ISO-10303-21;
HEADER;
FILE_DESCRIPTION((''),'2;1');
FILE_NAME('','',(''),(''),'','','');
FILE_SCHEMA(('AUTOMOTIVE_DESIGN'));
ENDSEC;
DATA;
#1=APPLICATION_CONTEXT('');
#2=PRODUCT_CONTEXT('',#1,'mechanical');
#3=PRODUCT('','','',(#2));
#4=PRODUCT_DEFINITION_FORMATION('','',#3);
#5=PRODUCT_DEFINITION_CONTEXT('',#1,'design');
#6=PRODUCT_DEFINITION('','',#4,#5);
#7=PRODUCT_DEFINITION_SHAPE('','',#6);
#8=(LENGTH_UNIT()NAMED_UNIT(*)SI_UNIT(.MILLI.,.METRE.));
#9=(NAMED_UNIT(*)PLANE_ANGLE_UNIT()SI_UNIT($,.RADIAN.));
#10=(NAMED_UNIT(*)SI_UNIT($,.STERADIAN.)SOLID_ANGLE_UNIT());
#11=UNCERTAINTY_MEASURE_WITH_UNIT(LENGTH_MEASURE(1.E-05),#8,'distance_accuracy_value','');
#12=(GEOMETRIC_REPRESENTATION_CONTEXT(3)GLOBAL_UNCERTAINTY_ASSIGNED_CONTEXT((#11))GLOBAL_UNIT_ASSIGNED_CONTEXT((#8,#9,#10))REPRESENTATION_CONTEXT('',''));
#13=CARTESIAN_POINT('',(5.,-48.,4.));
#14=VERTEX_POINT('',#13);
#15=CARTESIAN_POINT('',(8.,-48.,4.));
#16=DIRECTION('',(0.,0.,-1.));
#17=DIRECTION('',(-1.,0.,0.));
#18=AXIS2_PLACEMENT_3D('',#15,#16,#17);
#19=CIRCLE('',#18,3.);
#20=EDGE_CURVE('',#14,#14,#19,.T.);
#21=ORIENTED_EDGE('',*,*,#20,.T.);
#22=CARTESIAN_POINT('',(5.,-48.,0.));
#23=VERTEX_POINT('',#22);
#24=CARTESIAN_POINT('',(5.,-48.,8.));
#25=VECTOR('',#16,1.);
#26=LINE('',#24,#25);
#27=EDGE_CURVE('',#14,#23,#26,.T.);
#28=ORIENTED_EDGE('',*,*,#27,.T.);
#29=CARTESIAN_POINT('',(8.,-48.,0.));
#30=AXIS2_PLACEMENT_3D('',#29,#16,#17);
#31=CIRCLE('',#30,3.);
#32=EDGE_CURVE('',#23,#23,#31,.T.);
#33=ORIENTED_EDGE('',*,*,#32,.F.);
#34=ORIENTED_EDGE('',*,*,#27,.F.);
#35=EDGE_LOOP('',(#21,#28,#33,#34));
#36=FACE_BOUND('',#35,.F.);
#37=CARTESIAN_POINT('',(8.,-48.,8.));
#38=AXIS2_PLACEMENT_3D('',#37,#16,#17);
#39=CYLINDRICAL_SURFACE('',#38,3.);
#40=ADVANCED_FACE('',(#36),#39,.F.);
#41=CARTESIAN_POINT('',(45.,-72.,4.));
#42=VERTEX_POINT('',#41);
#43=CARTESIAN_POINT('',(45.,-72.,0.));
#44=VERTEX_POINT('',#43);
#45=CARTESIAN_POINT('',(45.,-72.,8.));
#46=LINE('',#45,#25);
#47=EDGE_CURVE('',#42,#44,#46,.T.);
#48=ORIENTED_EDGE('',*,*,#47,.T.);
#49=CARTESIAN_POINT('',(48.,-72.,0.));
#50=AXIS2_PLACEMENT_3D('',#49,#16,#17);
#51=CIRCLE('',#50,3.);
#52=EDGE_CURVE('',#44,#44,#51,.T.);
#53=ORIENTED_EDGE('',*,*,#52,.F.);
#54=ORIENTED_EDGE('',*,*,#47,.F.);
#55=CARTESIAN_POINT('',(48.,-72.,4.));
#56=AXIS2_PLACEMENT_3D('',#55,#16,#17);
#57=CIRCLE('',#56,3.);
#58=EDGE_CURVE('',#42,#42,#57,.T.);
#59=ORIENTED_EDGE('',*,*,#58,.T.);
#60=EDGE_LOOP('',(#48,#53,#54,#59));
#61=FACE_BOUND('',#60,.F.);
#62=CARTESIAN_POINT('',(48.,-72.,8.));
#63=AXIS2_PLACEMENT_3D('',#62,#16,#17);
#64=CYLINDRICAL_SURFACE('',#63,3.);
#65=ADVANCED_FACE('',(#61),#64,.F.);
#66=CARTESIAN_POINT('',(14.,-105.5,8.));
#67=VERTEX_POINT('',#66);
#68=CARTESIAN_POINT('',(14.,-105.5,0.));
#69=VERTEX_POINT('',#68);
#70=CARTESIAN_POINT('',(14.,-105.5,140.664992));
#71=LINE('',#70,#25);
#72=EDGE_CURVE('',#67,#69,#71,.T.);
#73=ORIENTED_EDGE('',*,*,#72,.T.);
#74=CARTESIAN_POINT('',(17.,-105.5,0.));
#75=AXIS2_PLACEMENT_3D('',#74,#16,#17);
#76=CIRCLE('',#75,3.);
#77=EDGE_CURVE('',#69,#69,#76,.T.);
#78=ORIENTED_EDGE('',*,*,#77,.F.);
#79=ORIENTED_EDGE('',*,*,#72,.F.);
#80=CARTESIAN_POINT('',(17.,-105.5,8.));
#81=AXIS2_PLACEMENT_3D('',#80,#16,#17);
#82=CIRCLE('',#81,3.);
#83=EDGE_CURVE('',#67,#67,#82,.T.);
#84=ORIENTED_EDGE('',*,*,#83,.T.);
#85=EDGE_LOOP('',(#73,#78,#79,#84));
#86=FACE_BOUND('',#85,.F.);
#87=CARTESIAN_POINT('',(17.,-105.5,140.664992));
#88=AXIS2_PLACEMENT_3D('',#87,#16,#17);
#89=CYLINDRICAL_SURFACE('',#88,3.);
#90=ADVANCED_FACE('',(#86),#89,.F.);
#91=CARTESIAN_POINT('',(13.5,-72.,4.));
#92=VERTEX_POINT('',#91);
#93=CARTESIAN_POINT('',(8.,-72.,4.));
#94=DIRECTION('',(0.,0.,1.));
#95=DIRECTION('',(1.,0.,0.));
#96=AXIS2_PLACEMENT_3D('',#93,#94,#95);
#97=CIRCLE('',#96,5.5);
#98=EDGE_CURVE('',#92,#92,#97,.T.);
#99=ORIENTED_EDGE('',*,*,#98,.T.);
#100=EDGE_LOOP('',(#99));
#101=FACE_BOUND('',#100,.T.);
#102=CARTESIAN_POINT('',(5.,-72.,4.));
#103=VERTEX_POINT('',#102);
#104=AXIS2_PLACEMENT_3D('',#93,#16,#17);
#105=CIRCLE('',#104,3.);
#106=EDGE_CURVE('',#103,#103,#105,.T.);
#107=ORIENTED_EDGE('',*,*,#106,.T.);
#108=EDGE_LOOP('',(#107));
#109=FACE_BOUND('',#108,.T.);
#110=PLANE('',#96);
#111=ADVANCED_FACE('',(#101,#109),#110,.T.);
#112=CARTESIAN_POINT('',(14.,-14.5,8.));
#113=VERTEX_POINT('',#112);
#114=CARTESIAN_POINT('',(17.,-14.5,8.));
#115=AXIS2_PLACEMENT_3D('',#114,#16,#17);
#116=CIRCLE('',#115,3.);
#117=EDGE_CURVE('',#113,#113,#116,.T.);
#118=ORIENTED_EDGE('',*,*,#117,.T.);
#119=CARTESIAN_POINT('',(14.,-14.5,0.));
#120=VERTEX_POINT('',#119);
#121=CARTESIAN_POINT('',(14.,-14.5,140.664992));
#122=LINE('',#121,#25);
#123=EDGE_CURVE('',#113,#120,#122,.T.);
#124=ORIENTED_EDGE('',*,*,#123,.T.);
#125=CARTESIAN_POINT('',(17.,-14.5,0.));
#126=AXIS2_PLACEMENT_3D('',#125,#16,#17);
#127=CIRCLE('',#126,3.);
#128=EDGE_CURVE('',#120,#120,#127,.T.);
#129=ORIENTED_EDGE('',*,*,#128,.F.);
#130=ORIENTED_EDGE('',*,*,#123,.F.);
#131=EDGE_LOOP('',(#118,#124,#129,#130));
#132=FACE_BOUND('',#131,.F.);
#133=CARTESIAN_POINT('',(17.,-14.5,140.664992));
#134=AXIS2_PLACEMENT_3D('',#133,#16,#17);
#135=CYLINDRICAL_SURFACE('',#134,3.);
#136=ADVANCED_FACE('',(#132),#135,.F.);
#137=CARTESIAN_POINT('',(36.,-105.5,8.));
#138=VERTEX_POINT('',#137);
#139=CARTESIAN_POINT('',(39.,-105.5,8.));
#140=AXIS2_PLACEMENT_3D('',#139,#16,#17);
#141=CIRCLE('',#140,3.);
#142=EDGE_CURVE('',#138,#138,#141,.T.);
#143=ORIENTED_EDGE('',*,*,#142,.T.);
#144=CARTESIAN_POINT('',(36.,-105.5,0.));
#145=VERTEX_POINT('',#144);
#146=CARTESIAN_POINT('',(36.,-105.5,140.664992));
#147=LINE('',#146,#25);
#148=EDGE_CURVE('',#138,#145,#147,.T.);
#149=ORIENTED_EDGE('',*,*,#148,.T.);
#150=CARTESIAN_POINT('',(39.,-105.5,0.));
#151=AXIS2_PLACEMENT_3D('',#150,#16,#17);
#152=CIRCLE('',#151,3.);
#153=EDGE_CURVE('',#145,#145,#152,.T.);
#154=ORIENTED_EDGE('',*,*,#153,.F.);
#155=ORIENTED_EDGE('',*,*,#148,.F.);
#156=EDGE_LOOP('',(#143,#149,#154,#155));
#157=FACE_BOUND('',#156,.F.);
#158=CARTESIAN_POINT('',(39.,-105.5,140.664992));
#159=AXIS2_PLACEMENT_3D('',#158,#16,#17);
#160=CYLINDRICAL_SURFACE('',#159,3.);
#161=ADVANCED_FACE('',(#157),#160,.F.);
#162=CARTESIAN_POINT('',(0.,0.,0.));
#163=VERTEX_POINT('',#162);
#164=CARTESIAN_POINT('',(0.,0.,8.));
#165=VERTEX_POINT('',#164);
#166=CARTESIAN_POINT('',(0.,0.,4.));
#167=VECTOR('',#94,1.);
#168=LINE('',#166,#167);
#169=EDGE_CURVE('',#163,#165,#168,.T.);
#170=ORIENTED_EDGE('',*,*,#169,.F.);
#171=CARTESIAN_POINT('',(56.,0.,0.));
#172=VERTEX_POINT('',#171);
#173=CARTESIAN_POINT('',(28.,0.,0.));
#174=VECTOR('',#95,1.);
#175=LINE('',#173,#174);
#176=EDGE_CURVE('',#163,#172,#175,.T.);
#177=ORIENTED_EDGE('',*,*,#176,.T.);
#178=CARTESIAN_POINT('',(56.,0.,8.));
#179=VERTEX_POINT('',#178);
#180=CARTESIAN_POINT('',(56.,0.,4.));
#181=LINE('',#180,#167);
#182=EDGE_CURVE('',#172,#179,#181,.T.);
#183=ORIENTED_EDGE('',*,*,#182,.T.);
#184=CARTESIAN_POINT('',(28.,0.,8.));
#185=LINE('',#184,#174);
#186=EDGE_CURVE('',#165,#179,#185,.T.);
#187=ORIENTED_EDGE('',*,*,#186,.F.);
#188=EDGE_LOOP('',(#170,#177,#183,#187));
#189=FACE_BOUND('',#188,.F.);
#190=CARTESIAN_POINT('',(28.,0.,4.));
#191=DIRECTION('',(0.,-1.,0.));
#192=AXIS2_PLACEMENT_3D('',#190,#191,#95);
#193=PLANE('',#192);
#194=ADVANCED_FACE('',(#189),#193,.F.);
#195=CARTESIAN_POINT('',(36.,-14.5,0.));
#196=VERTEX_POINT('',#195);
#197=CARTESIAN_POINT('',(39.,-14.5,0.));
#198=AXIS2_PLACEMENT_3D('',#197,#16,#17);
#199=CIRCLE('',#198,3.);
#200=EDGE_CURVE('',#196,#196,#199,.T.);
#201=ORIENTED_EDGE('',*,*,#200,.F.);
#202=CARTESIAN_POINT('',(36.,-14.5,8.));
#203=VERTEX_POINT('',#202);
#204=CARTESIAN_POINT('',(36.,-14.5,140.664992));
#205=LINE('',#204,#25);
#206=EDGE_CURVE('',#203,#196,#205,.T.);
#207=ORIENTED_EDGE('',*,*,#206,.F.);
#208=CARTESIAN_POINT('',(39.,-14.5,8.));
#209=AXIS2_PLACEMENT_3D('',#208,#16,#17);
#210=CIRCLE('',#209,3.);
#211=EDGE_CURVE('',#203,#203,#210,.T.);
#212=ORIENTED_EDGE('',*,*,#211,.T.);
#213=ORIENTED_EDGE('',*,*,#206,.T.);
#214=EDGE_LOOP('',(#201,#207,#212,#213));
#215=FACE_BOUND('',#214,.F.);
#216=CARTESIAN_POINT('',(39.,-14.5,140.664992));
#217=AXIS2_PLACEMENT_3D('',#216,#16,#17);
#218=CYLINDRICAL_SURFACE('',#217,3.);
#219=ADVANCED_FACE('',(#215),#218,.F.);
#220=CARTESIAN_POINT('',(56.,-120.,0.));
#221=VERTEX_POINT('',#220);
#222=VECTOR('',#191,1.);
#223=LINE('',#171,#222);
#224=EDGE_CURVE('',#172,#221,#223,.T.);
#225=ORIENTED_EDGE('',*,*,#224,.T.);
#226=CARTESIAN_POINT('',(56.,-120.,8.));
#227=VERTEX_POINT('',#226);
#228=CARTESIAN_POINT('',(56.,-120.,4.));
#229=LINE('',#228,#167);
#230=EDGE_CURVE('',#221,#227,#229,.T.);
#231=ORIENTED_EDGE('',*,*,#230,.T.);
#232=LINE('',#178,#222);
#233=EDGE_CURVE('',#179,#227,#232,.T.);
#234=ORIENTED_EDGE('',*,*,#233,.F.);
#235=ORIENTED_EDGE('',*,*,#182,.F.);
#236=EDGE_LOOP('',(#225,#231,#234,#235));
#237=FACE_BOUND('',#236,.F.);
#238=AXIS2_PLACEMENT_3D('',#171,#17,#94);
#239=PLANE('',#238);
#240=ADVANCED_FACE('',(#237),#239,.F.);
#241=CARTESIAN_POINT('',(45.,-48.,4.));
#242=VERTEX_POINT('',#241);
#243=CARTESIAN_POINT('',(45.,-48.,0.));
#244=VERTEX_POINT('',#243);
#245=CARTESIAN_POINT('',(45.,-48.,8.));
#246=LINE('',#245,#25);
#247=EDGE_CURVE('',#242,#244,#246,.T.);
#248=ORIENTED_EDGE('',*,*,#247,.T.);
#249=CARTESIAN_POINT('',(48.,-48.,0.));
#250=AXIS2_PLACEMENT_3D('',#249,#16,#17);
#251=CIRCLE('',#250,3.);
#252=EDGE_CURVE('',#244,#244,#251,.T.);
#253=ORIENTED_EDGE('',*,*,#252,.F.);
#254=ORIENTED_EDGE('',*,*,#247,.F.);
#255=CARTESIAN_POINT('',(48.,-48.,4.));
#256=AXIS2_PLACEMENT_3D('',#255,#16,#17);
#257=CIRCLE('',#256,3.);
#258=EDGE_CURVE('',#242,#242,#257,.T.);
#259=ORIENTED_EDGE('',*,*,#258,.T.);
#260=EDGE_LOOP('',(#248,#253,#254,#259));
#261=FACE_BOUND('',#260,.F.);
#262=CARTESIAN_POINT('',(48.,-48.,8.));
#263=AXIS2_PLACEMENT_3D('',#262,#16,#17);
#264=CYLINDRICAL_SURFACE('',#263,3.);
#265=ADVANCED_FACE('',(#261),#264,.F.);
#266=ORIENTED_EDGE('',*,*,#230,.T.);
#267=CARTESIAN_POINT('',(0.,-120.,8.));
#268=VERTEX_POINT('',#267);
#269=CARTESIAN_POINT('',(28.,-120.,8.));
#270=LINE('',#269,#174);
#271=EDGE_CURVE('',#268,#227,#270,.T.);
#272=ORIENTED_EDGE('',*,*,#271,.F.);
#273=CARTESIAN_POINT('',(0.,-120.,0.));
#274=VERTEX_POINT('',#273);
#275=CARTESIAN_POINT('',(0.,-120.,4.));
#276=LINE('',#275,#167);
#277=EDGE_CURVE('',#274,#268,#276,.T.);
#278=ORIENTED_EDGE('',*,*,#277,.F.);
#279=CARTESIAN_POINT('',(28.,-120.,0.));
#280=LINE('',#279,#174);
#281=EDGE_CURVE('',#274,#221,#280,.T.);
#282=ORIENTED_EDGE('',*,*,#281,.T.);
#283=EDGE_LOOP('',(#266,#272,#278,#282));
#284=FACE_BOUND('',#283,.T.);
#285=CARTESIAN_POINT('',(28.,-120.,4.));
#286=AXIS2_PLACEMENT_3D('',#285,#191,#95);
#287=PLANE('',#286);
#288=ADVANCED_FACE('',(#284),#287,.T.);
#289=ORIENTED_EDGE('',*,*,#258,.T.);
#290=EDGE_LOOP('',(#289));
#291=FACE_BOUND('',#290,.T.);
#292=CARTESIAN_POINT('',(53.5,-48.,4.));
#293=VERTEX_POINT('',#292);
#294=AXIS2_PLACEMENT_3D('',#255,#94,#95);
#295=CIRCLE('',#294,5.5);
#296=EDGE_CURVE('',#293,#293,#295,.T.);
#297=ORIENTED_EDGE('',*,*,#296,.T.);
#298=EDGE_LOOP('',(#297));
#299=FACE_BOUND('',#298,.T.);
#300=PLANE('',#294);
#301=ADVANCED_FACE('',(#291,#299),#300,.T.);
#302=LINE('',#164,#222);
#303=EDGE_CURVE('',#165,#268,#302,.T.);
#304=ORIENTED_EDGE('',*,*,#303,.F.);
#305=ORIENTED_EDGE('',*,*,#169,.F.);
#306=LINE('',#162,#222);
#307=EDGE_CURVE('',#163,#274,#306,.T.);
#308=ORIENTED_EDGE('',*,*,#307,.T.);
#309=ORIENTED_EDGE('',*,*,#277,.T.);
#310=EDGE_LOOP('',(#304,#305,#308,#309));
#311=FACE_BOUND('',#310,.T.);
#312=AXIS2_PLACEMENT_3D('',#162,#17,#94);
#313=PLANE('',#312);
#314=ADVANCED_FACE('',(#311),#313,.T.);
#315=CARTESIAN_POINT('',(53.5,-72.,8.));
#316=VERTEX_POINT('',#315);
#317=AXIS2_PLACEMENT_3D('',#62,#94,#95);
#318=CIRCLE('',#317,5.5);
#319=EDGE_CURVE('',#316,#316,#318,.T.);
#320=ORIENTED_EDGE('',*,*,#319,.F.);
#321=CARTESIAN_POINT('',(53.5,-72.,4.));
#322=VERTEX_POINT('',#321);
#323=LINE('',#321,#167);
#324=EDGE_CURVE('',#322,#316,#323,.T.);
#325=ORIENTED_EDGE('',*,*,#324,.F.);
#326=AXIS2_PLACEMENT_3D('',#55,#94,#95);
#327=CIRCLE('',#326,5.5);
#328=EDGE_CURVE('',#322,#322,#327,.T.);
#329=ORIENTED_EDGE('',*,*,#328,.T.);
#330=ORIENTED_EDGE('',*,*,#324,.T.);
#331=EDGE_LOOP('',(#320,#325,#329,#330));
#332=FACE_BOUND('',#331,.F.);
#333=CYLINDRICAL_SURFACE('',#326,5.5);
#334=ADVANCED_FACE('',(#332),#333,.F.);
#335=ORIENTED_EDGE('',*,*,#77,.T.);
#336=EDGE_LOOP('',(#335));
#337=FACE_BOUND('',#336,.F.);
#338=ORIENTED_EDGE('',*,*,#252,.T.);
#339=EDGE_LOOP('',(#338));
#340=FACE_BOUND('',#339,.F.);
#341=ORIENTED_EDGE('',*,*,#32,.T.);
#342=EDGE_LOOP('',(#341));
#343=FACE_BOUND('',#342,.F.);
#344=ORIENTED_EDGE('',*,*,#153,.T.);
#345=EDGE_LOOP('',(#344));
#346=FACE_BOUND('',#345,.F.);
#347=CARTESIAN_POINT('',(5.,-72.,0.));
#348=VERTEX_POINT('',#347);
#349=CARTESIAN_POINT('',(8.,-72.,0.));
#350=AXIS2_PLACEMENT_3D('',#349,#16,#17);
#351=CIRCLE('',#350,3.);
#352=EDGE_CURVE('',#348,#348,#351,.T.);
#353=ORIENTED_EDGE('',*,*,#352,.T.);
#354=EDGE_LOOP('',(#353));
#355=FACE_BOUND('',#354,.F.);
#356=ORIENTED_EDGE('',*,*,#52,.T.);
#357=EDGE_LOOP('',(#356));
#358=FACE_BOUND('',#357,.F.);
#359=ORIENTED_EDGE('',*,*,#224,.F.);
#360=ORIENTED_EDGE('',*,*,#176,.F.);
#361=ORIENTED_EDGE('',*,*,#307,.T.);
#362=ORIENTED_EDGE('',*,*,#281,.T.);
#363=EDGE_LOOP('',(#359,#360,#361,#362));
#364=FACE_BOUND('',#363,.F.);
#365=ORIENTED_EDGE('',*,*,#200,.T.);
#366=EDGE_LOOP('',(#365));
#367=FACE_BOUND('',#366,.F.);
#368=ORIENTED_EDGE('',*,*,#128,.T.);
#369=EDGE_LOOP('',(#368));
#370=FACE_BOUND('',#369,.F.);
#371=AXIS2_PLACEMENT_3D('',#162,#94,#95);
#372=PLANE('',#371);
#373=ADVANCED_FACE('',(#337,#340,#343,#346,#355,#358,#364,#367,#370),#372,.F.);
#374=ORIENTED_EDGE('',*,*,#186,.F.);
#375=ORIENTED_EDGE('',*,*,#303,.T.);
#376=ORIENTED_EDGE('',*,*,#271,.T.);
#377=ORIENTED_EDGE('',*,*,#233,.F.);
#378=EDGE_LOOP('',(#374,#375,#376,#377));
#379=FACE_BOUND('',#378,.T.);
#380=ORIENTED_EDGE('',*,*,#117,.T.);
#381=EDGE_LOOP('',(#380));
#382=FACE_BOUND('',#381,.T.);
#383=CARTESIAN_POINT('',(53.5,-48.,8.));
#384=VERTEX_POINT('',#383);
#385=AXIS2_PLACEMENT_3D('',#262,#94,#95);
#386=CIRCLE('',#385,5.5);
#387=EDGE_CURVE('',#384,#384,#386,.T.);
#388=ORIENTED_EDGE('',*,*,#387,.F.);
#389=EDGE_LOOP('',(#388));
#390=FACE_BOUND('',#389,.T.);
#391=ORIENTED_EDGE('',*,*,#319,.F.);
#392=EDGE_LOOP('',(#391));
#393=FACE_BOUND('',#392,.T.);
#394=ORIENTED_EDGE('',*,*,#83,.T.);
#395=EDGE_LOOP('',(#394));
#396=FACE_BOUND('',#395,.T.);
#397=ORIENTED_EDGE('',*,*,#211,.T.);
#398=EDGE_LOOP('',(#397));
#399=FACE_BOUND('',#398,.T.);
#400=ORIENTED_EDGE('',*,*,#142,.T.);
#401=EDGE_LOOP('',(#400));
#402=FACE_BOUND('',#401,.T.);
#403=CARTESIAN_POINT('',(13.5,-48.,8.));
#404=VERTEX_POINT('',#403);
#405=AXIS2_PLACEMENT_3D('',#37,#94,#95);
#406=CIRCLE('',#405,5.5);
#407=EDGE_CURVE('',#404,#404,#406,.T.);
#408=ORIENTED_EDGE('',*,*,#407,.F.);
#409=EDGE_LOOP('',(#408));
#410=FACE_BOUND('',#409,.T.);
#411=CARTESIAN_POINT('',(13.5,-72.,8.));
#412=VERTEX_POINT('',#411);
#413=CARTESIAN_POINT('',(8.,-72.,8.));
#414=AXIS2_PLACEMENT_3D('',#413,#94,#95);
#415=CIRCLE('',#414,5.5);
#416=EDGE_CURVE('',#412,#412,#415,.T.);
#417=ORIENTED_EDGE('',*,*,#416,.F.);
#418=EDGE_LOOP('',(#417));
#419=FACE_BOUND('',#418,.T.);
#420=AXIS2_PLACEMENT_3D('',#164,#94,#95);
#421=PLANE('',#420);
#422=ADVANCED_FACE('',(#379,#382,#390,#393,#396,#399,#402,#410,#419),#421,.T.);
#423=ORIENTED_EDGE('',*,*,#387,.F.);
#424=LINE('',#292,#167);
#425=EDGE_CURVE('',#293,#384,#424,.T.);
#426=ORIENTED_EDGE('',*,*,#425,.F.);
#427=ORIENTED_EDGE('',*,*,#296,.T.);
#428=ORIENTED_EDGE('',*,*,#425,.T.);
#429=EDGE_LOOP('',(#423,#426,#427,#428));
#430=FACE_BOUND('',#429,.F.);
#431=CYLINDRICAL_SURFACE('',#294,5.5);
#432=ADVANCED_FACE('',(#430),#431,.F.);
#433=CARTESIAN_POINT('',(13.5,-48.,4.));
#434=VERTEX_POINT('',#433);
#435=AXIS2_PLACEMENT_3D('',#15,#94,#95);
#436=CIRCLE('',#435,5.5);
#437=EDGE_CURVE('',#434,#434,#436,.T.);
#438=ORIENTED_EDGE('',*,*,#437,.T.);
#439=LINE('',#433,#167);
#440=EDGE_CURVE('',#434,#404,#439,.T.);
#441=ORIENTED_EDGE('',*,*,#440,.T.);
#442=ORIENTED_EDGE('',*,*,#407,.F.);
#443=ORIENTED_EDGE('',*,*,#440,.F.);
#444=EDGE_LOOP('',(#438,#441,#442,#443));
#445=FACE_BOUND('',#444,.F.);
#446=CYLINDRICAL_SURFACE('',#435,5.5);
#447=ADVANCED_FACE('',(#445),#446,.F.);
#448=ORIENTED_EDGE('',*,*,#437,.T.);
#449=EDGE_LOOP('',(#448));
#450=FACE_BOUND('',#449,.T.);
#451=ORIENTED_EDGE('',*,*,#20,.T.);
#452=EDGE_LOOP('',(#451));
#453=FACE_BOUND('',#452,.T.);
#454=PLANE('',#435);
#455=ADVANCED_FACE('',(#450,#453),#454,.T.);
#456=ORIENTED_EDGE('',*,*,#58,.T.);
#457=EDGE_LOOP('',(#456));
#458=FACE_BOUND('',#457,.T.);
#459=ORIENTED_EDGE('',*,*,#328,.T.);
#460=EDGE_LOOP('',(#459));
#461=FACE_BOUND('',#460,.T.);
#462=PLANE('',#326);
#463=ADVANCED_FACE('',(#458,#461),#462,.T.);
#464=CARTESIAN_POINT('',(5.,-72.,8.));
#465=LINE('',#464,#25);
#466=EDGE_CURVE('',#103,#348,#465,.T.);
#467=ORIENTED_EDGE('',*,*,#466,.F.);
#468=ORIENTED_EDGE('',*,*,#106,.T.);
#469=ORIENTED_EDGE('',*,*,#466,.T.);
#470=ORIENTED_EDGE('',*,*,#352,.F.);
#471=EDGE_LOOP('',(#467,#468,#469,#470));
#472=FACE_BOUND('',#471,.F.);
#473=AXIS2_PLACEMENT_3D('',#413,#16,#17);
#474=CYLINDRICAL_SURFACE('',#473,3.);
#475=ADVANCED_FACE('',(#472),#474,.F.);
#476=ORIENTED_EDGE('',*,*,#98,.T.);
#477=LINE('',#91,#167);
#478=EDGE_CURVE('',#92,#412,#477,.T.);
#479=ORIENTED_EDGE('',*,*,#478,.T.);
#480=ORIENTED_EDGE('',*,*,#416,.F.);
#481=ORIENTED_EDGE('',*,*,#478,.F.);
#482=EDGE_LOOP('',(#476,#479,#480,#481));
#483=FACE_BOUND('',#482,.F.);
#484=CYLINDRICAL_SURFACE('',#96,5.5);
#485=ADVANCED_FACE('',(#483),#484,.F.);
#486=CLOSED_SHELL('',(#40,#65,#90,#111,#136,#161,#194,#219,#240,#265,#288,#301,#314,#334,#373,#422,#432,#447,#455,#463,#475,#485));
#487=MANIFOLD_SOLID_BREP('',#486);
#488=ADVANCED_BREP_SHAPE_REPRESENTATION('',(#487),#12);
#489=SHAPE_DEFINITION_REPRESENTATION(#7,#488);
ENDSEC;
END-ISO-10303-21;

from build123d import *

# Parameters (mm, degrees)
F0_W           = 56
F0_H           = 8
F1_DEPTH       = 120
F3_D           = 6
F5_D           = 6
F5_CBORE_D     = 11
F5_CBORE_DEPTH = 4


with BuildPart() as f1:
    # F0 (on Front) → F1 (new body)
    with BuildSketch(Plane.XZ):
        with Locations((28, 4)):
            Rectangle(F0_W, F0_H)
    extrude(amount=F1_DEPTH)

    # F3 (through all)
    with Locations(Plane.XY.offset(8)):
        with Locations((17, -14.5), (39, -14.5), (17, -105.5), (39, -105.5)):
            Hole(F3_D / 2)

    # F5 (through all)
    with Locations(Plane.XY.offset(8)):
        with Locations((8, -48), (8, -72), (48, -48), (48, -72)):
            CounterBoreHole(F5_D / 2, F5_CBORE_D / 2, F5_CBORE_DEPTH)


solid = f1.part
